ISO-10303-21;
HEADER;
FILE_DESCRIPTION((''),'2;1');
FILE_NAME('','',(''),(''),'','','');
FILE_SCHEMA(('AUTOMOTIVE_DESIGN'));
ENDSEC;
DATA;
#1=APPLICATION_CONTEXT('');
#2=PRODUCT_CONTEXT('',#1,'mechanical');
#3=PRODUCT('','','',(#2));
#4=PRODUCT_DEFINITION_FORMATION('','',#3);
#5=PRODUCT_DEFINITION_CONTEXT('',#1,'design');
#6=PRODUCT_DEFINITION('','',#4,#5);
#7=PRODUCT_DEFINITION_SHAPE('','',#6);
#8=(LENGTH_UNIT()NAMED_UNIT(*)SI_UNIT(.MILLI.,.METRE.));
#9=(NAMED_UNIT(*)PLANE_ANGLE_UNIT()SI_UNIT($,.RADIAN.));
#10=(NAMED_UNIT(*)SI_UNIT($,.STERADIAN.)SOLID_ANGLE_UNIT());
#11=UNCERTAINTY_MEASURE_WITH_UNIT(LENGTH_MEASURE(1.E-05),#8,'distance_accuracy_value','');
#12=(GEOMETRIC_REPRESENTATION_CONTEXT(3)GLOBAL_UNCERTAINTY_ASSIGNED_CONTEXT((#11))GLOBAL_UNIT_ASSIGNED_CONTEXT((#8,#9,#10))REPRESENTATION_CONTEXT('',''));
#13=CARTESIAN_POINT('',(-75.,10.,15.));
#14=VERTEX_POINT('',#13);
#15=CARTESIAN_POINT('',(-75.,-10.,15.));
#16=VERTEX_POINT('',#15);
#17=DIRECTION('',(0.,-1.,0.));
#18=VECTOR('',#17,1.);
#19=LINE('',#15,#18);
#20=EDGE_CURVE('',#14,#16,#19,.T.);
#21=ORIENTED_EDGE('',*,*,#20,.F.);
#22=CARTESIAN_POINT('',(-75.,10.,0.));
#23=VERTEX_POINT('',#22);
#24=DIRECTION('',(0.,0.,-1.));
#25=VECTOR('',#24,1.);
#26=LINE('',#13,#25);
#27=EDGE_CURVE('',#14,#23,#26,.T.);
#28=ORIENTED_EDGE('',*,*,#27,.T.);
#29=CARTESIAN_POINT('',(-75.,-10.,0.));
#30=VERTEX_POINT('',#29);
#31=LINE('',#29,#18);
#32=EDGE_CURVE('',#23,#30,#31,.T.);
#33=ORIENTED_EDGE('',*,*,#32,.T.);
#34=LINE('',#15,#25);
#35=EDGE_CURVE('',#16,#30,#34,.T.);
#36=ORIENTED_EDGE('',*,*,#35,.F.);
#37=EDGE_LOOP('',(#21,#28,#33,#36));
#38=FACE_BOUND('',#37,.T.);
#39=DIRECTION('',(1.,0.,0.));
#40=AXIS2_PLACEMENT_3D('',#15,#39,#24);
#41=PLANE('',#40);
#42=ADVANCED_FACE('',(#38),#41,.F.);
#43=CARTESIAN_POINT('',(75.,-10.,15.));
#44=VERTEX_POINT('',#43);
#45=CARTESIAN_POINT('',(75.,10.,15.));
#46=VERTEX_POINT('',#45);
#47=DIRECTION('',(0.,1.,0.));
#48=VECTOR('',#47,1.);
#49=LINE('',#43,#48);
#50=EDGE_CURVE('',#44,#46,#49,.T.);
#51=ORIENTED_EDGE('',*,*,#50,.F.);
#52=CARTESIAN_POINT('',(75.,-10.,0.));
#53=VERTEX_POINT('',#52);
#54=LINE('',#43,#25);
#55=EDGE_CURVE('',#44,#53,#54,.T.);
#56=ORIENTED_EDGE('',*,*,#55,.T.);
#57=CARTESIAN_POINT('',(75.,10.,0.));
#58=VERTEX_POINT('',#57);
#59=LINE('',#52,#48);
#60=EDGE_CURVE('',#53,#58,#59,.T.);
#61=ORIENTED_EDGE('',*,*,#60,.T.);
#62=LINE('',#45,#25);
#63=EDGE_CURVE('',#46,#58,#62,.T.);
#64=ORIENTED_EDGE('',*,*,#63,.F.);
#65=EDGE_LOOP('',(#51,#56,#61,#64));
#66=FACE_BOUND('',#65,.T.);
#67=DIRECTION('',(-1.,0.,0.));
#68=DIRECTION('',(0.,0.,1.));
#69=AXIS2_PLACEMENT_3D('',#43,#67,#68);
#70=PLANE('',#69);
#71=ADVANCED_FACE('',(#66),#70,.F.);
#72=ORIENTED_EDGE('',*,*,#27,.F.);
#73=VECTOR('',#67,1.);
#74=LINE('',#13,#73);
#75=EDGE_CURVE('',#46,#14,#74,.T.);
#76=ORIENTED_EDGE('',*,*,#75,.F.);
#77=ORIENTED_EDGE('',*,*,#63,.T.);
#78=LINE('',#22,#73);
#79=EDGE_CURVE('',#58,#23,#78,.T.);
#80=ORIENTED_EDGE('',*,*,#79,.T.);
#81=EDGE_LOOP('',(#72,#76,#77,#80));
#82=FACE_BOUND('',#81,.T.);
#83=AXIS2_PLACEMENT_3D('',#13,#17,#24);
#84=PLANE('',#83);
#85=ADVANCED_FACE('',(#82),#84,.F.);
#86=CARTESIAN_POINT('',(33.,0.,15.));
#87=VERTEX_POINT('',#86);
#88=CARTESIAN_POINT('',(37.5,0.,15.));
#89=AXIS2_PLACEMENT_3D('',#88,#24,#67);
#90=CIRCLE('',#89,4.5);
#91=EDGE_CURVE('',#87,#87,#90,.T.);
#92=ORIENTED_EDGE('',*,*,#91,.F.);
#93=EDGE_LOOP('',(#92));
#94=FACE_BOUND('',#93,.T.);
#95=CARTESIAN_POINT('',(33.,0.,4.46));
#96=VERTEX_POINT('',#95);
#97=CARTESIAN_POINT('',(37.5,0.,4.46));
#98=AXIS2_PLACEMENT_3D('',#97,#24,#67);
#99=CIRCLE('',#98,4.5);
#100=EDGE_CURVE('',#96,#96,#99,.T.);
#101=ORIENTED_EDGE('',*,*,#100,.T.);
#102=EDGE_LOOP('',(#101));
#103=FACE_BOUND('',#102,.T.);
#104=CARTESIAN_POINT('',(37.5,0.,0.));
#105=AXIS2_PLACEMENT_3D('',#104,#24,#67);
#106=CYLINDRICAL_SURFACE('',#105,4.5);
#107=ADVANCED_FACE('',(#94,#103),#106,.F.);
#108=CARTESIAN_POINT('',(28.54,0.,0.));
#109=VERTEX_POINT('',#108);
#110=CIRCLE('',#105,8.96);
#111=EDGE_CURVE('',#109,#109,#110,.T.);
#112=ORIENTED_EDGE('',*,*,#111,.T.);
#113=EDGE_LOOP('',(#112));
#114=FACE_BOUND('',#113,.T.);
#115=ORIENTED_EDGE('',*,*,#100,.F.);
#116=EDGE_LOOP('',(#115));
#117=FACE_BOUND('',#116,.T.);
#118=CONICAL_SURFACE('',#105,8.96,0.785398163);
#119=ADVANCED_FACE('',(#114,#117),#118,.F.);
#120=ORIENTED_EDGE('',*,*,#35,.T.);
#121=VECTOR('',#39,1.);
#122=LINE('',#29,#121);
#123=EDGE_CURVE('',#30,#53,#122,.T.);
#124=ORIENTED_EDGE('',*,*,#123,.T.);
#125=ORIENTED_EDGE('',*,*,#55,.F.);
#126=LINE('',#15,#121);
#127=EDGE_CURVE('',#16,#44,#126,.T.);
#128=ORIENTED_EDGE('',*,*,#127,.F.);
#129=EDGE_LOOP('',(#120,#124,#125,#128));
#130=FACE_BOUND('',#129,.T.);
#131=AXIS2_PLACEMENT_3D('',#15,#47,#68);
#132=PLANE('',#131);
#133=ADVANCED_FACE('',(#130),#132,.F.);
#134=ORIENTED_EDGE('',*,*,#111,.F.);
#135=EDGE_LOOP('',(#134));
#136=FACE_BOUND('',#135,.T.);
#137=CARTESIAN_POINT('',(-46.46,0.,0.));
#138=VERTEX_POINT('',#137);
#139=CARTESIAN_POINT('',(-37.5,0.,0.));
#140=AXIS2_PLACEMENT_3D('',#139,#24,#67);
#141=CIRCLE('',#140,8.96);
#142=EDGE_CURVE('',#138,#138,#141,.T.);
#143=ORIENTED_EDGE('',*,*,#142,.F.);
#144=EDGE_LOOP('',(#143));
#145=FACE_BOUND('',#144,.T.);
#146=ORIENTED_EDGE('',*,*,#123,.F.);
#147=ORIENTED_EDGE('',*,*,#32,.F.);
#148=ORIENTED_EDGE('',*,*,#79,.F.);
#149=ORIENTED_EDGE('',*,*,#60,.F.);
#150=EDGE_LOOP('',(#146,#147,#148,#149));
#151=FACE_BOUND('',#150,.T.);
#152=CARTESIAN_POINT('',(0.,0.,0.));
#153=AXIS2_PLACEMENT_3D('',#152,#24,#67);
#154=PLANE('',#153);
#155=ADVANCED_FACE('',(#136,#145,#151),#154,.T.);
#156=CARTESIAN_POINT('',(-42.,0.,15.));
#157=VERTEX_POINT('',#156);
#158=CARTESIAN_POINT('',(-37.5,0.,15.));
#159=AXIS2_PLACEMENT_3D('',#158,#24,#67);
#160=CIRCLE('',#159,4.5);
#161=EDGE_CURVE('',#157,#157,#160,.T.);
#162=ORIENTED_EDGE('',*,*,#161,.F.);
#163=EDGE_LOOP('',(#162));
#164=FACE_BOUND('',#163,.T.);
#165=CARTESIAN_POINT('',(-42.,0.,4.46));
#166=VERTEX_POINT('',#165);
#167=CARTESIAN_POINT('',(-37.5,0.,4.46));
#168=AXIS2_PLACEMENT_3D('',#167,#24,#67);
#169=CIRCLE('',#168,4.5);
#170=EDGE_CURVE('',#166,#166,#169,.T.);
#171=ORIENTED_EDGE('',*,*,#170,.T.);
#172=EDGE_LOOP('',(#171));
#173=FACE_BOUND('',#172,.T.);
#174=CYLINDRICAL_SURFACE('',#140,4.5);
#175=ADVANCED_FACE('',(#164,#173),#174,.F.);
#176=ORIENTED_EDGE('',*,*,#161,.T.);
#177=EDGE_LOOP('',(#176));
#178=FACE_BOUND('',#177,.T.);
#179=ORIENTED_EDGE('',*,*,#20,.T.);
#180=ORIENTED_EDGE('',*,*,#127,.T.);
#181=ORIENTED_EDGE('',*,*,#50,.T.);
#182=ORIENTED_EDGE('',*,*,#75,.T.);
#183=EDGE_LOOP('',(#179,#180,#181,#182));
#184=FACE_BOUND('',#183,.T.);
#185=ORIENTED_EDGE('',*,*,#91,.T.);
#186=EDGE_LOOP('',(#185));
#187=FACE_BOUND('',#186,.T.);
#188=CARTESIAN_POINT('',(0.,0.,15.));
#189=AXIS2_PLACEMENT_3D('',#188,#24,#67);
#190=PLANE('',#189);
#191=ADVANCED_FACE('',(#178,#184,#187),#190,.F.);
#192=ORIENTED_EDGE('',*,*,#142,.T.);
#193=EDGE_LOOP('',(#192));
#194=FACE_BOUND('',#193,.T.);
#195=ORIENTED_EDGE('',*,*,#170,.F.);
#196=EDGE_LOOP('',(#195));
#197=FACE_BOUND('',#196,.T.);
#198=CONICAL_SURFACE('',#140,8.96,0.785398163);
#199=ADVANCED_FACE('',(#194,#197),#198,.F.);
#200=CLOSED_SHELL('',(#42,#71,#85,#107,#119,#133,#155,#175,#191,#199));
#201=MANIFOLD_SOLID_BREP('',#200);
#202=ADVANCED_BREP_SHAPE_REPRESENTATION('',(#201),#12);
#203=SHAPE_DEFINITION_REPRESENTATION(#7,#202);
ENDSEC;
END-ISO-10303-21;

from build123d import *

# Parameters (mm, degrees)
SKETCH1_W                     = 150
SKETCH1_H                     = 20
BOSS_EXTRUDE1_DEPTH           = 15
CSK_FOR_M8_SFHCS1_D           = 9
CSK_FOR_M8_SFHCS1_CSINK_D     = 17.92
CSK_FOR_M8_SFHCS1_CSINK_ANGLE = 90


with BuildPart() as part:
    # Sketch1 → Boss-Extrude1 (new body)
    with BuildSketch(Plane.XY):
        Rectangle(SKETCH1_W, SKETCH1_H)
    extrude(amount=BOSS_EXTRUDE1_DEPTH)

    # CSK for M8 SFHCS1 (through all)
    with Locations(Plane(origin=(0, 0, 0), x_dir=(-1, 0, 0), z_dir=(0, 0, -1))):
        with Locations((-37.5, 0), (37.5, 0)):
            CounterSinkHole(CSK_FOR_M8_SFHCS1_D / 2, CSK_FOR_M8_SFHCS1_CSINK_D / 2, counter_sink_angle=CSK_FOR_M8_SFHCS1_CSINK_ANGLE)


solid = part.part
